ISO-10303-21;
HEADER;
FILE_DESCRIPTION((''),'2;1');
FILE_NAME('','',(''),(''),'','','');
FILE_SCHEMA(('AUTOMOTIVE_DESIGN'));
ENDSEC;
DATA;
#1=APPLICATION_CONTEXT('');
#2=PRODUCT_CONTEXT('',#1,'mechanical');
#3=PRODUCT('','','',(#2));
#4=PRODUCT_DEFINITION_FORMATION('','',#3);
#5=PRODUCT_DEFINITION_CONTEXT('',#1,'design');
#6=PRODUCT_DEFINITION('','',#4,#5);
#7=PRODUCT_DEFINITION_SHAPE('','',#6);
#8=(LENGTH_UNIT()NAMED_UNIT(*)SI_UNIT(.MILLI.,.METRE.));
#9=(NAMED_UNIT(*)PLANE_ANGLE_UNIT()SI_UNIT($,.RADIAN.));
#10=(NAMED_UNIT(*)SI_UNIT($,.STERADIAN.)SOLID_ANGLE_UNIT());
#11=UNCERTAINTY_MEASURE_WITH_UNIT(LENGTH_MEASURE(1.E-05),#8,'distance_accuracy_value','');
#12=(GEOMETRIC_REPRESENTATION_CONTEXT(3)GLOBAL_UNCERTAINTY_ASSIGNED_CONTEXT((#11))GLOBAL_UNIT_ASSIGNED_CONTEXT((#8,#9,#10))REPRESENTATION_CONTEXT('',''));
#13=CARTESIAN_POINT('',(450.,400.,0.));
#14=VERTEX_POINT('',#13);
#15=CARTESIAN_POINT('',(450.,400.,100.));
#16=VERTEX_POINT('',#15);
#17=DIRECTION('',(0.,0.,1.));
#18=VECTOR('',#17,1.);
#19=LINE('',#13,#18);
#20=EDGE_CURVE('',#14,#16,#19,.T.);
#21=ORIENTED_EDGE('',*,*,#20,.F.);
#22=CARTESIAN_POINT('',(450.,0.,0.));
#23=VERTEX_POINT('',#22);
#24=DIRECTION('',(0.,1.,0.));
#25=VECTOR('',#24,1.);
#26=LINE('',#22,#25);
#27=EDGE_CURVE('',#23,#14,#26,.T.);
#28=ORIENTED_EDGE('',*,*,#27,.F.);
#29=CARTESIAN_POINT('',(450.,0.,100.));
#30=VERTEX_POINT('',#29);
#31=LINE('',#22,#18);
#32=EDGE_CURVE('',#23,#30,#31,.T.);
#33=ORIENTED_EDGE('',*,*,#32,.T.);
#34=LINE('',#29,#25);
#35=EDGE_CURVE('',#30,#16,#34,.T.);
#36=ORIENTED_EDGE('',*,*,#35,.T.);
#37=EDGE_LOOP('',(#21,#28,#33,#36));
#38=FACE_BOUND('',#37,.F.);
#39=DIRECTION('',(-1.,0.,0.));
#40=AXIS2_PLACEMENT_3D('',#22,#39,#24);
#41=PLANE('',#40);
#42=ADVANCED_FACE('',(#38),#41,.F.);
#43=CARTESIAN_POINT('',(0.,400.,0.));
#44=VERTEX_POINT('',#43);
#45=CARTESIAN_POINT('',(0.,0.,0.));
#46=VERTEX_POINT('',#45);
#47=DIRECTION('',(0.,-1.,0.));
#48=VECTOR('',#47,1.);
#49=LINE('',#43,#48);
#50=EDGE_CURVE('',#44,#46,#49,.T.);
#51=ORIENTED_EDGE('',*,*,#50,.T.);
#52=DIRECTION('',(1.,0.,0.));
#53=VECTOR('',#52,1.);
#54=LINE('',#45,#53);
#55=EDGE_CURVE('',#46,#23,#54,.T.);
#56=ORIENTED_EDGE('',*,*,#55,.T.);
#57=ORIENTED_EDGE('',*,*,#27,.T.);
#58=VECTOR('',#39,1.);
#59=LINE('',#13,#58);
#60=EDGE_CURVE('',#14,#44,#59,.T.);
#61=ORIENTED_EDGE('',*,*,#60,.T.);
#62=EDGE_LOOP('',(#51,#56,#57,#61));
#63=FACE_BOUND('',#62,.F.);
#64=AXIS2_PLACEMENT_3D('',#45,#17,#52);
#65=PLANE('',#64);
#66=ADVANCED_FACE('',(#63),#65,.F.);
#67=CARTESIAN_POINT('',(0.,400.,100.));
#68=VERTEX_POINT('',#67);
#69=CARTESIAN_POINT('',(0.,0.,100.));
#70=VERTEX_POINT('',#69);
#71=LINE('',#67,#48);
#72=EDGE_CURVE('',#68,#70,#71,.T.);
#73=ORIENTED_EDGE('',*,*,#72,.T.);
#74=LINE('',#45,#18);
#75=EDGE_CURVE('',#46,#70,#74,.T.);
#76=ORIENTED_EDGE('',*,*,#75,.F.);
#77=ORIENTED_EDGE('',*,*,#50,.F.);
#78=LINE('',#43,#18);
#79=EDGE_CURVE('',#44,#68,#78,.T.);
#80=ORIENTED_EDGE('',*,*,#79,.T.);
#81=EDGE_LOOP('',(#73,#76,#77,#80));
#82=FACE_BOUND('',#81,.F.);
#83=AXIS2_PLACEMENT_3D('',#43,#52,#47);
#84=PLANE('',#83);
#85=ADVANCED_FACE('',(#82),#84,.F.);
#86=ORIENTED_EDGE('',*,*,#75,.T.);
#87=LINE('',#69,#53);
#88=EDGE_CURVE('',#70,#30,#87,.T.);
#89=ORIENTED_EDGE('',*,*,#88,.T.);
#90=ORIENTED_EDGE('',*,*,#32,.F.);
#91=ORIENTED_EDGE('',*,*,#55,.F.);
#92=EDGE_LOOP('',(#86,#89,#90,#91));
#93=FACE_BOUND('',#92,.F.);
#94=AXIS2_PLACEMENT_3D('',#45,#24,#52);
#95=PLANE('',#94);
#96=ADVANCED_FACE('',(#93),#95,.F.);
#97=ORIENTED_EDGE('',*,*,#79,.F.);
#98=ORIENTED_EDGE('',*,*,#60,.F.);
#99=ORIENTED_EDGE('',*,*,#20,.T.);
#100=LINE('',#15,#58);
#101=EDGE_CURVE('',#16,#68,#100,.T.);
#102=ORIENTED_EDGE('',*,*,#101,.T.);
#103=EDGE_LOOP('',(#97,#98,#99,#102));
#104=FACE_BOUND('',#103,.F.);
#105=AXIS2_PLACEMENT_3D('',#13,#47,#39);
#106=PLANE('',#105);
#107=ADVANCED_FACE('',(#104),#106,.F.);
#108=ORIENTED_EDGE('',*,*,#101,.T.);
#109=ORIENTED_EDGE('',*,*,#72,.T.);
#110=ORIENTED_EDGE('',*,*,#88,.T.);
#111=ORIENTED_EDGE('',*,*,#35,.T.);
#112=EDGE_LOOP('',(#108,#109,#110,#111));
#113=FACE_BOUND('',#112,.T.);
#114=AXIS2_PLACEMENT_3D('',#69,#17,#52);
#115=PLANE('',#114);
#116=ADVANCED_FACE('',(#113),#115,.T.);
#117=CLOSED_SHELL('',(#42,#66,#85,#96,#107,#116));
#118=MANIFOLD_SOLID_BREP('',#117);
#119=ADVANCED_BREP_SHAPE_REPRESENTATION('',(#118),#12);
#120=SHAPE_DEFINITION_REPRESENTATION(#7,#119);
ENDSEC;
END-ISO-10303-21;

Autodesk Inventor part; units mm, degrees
ref_plane "YZ Plane" through (0, 0, 0) normal (1, 0, 0) x (0, 1, 0)
ref_plane "XZ Plane" through (0, 0, 0) normal (0, 1, 0) x (-1, 0, 0)
ref_plane "XY Plane" through (0, 0, 0) normal (0, 0, 1) x (1, 0, 0)
sketch "スケッチ1" plane through (0, 0, 0) normal (0, 0, 1) x (1, 0, 0)
  line L0 (0, 0) -> (450, 0)
  line L1 (450, 0) -> (450, 400)
  line L2 (450, 400) -> (0, 400)
  line L3 (0, 400) -> (0, 0)
  dimension "d0" = 450
  dimension "d1" = 400
extrude "押し出し1" add sketch "スケッチ1" along normal blind 100
properties part number "リング、スタート台2"
